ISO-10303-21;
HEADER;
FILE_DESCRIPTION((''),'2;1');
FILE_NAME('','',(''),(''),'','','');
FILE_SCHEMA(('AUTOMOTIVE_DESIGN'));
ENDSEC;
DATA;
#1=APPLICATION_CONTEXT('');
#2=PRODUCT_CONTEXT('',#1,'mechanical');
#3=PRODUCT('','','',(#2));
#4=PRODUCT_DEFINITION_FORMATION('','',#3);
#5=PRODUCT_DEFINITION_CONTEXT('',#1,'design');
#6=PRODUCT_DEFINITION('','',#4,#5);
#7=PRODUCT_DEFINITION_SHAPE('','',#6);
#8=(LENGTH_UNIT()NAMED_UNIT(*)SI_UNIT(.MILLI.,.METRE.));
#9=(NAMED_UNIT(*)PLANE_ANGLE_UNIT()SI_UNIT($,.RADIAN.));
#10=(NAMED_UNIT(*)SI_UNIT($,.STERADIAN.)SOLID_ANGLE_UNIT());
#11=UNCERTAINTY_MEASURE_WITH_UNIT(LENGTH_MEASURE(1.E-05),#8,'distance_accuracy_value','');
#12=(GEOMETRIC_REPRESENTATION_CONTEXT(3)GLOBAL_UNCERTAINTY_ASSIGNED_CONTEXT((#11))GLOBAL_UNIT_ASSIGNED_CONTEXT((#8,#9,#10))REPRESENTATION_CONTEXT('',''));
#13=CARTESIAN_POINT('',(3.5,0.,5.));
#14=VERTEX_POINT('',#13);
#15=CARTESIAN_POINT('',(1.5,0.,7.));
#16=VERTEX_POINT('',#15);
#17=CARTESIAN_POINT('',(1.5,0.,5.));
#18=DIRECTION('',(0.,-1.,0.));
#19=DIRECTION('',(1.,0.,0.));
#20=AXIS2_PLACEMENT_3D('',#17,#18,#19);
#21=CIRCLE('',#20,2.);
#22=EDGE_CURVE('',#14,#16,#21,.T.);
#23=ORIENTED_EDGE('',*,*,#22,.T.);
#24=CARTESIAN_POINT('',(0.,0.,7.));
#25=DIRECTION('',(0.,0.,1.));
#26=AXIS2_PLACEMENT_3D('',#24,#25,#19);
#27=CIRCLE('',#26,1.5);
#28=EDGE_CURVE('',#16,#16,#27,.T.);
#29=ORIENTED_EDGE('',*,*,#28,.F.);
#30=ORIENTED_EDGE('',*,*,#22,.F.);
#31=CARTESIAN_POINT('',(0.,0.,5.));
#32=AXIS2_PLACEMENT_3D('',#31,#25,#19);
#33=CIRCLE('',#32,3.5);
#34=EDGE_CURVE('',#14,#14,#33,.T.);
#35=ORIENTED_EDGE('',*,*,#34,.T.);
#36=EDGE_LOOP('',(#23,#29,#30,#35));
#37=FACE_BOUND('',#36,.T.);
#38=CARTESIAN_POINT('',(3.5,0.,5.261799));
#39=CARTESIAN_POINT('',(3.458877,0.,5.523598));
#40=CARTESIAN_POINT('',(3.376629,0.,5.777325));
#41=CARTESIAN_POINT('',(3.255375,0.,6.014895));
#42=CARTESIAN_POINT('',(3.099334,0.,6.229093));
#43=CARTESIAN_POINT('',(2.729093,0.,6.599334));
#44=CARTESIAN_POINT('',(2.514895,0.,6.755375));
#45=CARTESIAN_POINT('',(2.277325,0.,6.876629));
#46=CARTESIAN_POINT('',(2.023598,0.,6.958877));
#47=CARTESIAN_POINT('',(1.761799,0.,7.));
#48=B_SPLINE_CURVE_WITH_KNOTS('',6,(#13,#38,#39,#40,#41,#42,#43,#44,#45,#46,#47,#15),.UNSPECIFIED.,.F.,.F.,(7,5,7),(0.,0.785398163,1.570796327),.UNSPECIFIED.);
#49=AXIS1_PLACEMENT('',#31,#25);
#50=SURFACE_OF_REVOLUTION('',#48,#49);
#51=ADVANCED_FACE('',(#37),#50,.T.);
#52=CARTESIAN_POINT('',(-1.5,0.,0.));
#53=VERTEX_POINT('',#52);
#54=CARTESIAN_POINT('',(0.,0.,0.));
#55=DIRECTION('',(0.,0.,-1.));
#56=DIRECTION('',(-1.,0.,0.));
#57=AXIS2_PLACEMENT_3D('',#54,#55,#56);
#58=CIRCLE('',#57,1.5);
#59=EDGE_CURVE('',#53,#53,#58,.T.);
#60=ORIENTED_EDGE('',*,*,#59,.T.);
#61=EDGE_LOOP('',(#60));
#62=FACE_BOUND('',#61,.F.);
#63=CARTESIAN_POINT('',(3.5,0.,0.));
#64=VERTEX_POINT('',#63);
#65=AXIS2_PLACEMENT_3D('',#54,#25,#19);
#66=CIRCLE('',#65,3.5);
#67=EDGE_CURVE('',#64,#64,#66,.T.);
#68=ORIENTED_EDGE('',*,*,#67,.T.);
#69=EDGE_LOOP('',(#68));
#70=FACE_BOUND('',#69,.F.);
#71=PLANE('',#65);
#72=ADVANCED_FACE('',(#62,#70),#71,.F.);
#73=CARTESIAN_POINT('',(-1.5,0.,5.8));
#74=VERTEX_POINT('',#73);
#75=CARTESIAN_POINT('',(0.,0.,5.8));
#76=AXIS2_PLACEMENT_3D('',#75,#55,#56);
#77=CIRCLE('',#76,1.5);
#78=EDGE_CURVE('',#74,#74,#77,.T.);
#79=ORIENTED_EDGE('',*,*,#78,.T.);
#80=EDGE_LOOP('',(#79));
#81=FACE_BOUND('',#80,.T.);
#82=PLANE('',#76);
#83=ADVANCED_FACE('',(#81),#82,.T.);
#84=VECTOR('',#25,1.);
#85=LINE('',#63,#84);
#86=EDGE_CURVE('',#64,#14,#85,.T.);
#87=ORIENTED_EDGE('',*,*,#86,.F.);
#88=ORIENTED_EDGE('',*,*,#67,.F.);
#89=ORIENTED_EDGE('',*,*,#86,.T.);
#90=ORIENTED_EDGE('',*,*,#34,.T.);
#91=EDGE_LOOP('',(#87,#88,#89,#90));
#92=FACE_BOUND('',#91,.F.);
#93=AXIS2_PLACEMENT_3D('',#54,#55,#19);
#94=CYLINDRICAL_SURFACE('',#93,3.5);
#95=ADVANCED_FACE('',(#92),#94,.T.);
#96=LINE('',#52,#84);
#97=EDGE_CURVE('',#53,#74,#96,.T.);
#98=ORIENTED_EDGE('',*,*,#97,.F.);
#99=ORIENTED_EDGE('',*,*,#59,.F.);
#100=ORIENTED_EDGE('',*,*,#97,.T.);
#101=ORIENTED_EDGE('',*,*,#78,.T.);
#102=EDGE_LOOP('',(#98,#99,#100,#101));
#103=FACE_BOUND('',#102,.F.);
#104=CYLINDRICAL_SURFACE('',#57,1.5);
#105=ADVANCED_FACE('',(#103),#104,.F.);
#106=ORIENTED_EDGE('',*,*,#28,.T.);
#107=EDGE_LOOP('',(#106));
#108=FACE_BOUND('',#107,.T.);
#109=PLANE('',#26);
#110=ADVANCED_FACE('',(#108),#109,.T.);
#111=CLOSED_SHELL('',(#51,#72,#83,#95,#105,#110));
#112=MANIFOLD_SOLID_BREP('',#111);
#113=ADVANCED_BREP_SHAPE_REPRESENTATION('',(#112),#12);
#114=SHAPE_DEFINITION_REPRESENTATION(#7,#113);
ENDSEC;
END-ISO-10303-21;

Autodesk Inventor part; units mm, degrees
ref_plane "YZ Plane" through (0, 0, 0) normal (1, 0, 0) x (0, 1, 0)
ref_plane "XZ Plane" through (0, 0, 0) normal (0, 1, 0) x (-1, 0, 0)
ref_plane "XY Plane" through (0, 0, 0) normal (0, 0, 1) x (1, 0, 0)
sketch "Эскиз1" plane through (0, 0, 0) normal (0, 0, 1) x (1, 0, 0)
  circle A0 centre (0, 0) radius 3.5
  dimension "d0" = 7
extrude "Выдавливание1" add sketch "Эскиз1" along normal blind 7
fillet "Сопряжение1" radius 2 1 edges at (-3.5, 0, 7)
sketch "Эскиз2" plane through (0, 0, 0) normal (0, 0, -1) x (-1, 0, 0)
  circle A0 centre (0, 0) radius 1.5 projected
  circle A1 centre (0, 0) radius 1.5
  dimension "d4" = 3
extrude "Выдавливание2" cut sketch "Эскиз2" against normal blind 5.8
properties part number "back_pimp"
